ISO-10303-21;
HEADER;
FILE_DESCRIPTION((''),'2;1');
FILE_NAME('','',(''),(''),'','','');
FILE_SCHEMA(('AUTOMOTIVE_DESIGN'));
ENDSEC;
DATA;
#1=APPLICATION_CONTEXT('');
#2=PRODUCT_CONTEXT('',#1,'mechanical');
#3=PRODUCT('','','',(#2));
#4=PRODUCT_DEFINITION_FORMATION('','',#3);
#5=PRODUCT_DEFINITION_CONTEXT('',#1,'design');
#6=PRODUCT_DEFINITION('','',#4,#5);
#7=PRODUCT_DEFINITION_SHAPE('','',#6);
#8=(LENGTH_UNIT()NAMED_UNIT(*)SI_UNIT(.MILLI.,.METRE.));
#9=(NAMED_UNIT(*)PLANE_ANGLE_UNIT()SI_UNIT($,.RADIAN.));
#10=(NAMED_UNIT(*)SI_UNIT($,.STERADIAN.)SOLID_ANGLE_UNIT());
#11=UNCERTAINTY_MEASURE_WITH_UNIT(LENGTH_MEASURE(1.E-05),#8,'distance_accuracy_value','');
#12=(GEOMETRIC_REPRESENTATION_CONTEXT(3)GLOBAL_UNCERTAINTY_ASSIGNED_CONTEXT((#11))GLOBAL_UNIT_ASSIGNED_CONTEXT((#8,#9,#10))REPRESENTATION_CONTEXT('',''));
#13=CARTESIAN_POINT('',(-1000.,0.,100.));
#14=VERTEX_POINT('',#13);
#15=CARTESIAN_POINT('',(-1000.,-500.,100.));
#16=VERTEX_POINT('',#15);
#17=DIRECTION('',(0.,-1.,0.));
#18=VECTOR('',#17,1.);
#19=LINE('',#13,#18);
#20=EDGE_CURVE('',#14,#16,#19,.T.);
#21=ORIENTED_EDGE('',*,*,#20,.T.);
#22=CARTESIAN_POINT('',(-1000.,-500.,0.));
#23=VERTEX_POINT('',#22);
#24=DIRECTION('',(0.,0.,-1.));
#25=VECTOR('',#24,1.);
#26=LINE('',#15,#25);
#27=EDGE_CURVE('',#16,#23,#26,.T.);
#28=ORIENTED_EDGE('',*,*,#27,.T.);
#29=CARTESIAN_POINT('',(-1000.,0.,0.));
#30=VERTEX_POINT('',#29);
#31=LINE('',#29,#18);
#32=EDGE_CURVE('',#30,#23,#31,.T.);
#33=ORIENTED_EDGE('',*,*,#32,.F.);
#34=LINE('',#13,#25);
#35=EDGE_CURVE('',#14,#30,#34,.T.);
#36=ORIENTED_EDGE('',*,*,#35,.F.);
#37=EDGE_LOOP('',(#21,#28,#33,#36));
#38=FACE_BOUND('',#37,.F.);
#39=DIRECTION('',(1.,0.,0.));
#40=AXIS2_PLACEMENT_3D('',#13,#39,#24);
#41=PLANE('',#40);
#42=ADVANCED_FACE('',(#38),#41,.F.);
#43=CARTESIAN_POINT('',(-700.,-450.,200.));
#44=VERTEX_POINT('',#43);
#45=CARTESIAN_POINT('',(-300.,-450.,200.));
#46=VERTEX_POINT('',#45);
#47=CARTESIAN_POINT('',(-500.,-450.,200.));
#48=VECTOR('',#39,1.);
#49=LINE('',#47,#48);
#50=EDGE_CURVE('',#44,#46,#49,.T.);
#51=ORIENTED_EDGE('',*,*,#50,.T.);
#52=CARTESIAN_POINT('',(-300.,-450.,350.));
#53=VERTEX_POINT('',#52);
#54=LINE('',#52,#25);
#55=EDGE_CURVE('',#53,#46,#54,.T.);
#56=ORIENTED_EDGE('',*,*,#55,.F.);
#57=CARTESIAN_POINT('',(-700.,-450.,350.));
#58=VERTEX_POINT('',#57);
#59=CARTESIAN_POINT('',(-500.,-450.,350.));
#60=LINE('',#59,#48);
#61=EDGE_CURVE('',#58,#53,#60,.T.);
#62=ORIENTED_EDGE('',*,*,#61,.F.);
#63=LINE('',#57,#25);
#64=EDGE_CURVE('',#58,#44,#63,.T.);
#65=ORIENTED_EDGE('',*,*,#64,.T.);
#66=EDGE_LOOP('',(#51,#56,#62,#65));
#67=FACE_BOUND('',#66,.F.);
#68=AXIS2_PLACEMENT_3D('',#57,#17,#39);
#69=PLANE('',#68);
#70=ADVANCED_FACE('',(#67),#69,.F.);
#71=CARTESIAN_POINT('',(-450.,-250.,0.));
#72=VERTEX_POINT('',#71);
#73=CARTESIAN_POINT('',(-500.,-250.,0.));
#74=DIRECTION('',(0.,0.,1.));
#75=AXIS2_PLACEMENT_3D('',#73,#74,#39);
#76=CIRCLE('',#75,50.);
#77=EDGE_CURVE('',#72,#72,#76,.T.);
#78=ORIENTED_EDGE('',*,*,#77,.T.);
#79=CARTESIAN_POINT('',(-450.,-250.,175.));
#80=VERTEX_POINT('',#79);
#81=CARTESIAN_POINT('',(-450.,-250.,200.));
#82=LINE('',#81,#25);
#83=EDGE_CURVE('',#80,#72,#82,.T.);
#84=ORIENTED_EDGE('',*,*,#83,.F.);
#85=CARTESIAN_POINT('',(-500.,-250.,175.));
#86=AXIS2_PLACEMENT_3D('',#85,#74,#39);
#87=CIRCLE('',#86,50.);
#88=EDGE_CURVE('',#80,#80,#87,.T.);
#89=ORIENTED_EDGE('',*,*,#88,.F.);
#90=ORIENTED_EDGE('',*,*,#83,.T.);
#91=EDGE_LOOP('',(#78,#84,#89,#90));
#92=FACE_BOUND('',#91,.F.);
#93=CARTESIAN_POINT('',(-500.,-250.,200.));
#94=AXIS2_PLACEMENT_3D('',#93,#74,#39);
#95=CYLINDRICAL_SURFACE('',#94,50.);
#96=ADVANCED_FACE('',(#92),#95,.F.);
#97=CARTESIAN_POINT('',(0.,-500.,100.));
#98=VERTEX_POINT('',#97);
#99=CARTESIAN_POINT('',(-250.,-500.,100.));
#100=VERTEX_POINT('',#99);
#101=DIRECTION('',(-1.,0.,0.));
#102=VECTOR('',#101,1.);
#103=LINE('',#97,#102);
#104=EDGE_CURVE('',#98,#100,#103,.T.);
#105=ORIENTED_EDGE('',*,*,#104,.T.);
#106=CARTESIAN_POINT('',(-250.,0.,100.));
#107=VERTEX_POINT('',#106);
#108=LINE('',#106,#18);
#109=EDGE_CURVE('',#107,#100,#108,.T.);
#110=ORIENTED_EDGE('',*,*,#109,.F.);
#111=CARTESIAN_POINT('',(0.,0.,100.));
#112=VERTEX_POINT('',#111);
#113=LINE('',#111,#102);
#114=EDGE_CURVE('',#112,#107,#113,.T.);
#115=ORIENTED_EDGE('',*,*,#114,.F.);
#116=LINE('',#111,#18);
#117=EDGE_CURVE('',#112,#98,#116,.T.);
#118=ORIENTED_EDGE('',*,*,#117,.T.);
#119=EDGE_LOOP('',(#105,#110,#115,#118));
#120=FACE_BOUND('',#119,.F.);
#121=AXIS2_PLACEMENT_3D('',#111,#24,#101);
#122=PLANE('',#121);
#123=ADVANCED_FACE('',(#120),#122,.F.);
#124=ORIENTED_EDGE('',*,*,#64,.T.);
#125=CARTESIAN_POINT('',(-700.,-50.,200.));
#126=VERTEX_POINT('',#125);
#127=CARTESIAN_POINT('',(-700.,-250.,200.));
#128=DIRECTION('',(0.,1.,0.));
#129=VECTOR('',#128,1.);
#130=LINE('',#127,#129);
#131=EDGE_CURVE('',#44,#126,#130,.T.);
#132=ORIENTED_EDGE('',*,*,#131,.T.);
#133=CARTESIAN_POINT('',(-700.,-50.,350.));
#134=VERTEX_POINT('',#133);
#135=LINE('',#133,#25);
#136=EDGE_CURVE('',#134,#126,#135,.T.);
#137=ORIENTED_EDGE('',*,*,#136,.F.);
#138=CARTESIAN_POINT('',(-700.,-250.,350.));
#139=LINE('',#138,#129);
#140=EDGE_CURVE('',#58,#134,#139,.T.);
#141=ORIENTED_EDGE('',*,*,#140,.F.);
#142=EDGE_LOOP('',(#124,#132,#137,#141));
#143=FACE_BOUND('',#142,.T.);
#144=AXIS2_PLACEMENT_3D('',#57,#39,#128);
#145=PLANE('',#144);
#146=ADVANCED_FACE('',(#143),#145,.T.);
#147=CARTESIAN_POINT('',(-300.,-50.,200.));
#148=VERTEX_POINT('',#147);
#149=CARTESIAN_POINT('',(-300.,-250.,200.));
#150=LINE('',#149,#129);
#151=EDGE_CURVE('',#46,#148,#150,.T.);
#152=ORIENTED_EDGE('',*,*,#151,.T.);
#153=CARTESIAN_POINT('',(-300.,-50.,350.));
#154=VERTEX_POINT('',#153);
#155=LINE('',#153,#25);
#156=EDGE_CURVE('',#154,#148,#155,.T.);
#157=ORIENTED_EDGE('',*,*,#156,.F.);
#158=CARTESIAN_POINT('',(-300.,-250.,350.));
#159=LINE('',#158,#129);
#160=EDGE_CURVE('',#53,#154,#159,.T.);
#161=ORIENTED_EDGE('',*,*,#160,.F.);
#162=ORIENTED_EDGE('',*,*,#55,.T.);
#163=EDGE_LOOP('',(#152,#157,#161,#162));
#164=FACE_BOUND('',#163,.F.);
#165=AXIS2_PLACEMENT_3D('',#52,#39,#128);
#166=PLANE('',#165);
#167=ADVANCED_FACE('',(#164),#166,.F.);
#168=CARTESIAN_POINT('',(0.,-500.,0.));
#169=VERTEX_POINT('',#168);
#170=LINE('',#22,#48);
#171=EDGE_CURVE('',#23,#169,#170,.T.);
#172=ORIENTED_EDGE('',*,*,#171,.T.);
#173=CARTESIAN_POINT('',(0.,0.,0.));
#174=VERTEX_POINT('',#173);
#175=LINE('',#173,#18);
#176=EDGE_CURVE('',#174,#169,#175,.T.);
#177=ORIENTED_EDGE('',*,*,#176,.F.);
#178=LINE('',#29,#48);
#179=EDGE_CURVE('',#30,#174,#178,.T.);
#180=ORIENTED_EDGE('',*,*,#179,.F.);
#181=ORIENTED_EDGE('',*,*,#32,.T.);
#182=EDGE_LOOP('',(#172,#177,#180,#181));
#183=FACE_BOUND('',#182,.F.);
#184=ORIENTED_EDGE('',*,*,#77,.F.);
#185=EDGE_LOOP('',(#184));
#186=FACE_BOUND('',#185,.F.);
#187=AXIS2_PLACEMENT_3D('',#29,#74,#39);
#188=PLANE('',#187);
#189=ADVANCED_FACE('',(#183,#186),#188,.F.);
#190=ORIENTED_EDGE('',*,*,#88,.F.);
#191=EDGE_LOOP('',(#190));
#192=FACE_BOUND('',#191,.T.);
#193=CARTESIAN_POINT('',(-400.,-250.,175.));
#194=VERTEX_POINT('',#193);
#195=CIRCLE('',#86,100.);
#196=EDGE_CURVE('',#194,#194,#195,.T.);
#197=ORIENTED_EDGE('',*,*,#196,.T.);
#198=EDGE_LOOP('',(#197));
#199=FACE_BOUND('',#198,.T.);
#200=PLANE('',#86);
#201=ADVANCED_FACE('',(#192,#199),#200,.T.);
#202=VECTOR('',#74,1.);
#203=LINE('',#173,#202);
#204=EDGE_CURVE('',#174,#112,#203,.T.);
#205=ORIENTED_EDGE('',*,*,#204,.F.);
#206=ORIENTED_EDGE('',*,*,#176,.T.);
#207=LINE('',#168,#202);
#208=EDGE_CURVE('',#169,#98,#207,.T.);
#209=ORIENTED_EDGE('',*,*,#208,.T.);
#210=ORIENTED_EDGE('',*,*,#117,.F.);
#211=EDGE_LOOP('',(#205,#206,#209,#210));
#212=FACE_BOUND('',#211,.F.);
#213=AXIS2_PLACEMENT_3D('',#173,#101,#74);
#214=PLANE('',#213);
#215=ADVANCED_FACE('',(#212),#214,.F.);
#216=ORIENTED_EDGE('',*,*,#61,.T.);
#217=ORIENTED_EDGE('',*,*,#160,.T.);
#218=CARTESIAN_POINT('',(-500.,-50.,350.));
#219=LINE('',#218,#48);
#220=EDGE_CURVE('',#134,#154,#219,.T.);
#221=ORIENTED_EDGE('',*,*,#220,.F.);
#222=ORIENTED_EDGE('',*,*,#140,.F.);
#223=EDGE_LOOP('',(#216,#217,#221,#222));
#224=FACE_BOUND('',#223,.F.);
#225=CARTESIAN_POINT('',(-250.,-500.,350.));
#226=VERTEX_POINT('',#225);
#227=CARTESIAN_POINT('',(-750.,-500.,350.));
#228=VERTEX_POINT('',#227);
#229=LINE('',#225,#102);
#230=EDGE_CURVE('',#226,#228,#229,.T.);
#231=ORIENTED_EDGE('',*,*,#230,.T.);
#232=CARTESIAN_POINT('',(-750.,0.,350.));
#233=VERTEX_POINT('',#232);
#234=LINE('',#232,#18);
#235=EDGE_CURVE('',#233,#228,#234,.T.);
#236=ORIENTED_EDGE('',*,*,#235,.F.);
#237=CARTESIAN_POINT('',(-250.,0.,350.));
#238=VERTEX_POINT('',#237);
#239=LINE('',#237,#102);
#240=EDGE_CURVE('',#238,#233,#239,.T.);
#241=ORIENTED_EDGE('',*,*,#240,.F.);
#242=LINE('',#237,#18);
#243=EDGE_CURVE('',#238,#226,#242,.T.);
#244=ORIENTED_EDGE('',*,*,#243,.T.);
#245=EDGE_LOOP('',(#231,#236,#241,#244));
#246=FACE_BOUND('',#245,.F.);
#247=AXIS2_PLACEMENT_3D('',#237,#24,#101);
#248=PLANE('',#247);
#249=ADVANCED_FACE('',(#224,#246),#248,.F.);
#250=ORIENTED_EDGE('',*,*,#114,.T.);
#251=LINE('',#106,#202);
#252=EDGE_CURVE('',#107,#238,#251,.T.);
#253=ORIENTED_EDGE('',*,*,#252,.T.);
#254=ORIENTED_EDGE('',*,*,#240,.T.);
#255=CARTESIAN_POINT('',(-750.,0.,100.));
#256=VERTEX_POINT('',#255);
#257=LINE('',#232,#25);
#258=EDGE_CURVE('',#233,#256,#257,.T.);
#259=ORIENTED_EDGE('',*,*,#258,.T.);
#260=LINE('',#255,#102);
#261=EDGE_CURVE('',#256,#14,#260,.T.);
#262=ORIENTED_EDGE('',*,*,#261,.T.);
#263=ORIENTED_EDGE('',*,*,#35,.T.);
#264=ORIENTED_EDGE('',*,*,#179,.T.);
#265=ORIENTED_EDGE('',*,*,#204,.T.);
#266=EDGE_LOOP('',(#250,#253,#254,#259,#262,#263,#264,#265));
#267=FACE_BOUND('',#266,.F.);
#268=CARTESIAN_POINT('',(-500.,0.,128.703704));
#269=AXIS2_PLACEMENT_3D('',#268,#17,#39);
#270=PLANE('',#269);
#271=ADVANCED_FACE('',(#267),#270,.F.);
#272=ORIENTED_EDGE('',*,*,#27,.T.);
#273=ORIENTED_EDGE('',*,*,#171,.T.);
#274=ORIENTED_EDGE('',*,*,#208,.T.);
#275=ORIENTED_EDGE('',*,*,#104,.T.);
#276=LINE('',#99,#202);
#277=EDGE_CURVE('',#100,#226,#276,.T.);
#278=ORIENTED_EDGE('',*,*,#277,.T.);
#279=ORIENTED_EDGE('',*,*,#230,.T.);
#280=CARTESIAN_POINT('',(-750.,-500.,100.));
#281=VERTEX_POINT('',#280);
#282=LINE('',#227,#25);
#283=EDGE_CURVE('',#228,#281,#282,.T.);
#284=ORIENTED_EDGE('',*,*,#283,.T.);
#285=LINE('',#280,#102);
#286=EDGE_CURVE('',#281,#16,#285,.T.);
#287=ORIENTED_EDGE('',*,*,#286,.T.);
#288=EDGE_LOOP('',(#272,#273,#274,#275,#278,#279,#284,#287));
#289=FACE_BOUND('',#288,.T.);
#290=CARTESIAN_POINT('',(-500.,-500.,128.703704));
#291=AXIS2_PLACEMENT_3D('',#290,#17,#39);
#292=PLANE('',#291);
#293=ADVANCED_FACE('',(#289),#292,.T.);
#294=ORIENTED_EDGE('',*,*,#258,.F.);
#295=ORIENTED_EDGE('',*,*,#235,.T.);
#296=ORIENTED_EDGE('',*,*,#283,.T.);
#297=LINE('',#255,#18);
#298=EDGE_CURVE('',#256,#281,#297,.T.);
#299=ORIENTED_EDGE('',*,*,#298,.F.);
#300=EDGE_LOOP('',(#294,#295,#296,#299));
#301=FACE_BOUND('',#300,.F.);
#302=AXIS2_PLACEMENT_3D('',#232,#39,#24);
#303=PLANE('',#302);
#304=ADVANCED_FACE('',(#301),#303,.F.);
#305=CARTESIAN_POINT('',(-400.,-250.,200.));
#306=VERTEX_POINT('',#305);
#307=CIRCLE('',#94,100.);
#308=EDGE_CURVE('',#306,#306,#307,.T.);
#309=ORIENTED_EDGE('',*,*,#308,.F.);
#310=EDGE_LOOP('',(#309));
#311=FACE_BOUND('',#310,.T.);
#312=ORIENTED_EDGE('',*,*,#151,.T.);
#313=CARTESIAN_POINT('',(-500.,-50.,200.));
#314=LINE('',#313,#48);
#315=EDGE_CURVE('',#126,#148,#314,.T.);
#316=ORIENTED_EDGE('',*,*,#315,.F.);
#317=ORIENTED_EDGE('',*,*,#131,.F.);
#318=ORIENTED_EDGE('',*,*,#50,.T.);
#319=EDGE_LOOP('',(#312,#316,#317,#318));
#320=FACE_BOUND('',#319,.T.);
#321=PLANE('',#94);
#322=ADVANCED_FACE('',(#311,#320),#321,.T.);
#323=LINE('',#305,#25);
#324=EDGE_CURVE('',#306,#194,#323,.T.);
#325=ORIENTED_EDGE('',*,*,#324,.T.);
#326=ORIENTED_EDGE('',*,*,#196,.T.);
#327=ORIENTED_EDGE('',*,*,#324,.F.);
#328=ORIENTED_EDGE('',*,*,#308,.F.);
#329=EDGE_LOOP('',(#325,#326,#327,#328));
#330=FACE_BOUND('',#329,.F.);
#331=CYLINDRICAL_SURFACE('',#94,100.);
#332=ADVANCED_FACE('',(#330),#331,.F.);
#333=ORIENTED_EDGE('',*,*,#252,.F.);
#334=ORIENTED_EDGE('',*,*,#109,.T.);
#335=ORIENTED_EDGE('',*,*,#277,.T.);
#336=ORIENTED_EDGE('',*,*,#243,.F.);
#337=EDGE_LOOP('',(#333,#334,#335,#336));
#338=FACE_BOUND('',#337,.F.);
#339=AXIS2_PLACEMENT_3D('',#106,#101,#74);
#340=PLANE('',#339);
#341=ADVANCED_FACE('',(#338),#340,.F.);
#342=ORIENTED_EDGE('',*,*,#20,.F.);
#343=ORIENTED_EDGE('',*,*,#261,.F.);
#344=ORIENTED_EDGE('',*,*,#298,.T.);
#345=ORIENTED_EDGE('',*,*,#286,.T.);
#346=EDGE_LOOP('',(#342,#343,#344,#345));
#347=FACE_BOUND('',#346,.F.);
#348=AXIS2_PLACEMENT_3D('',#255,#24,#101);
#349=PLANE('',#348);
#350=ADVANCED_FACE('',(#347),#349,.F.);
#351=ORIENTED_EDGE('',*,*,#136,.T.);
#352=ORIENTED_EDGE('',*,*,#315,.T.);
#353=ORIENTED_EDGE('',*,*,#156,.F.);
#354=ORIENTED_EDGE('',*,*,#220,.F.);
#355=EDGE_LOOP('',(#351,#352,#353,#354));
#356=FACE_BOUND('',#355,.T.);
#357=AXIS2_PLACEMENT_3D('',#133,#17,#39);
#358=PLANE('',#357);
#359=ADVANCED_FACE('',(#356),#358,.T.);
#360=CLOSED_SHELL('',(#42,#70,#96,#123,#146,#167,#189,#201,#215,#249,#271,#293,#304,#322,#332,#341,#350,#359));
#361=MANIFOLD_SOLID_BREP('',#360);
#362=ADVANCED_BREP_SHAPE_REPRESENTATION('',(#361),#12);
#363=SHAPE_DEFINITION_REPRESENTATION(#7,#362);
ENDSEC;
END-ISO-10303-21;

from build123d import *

# Parameters (mm, degrees)
F1_DEPTH = 500
F2_W     = 400
F2_H     = 400
F3_DEPTH = 150
F4_R     = 100
F4_R_2   = 50
F5_DEPTH = 25
F6_DEPTH = 200


with BuildPart() as f1:
    # F0 (on Front) → F1 (new body)
    with BuildSketch(Plane.XZ):
        Polygon((-1000, 0), (0, 0), (0, 100), (-250, 100), (-250, 350), (-750, 350), (-750, 100), (-1000, 100), align=None)
    extrude(amount=F1_DEPTH)

    # F2 (on face) → F3 (cut)
    with BuildSketch(Plane.XY.offset(350)):
        with Locations((-500, -250)):
            Rectangle(F2_W, F2_H)
    extrude(amount=-F3_DEPTH, mode=Mode.SUBTRACT)

    # F4 (on face) → F5 (cut)
    with BuildSketch(Plane.XY.offset(200)):
        with Locations((-500, -250)):
            Circle(F4_R)
        with Locations((-500, -250)):
            Circle(F4_R_2, mode=Mode.SUBTRACT)
    extrude(amount=-F5_DEPTH, mode=Mode.SUBTRACT)

    # F4 (on face) → F6 (cut)
    with BuildSketch(Plane.XY.offset(200)):
        with Locations((-500, -250)):
            Circle(F4_R_2)
    extrude(amount=-F6_DEPTH, mode=Mode.SUBTRACT)


solid = f1.part
